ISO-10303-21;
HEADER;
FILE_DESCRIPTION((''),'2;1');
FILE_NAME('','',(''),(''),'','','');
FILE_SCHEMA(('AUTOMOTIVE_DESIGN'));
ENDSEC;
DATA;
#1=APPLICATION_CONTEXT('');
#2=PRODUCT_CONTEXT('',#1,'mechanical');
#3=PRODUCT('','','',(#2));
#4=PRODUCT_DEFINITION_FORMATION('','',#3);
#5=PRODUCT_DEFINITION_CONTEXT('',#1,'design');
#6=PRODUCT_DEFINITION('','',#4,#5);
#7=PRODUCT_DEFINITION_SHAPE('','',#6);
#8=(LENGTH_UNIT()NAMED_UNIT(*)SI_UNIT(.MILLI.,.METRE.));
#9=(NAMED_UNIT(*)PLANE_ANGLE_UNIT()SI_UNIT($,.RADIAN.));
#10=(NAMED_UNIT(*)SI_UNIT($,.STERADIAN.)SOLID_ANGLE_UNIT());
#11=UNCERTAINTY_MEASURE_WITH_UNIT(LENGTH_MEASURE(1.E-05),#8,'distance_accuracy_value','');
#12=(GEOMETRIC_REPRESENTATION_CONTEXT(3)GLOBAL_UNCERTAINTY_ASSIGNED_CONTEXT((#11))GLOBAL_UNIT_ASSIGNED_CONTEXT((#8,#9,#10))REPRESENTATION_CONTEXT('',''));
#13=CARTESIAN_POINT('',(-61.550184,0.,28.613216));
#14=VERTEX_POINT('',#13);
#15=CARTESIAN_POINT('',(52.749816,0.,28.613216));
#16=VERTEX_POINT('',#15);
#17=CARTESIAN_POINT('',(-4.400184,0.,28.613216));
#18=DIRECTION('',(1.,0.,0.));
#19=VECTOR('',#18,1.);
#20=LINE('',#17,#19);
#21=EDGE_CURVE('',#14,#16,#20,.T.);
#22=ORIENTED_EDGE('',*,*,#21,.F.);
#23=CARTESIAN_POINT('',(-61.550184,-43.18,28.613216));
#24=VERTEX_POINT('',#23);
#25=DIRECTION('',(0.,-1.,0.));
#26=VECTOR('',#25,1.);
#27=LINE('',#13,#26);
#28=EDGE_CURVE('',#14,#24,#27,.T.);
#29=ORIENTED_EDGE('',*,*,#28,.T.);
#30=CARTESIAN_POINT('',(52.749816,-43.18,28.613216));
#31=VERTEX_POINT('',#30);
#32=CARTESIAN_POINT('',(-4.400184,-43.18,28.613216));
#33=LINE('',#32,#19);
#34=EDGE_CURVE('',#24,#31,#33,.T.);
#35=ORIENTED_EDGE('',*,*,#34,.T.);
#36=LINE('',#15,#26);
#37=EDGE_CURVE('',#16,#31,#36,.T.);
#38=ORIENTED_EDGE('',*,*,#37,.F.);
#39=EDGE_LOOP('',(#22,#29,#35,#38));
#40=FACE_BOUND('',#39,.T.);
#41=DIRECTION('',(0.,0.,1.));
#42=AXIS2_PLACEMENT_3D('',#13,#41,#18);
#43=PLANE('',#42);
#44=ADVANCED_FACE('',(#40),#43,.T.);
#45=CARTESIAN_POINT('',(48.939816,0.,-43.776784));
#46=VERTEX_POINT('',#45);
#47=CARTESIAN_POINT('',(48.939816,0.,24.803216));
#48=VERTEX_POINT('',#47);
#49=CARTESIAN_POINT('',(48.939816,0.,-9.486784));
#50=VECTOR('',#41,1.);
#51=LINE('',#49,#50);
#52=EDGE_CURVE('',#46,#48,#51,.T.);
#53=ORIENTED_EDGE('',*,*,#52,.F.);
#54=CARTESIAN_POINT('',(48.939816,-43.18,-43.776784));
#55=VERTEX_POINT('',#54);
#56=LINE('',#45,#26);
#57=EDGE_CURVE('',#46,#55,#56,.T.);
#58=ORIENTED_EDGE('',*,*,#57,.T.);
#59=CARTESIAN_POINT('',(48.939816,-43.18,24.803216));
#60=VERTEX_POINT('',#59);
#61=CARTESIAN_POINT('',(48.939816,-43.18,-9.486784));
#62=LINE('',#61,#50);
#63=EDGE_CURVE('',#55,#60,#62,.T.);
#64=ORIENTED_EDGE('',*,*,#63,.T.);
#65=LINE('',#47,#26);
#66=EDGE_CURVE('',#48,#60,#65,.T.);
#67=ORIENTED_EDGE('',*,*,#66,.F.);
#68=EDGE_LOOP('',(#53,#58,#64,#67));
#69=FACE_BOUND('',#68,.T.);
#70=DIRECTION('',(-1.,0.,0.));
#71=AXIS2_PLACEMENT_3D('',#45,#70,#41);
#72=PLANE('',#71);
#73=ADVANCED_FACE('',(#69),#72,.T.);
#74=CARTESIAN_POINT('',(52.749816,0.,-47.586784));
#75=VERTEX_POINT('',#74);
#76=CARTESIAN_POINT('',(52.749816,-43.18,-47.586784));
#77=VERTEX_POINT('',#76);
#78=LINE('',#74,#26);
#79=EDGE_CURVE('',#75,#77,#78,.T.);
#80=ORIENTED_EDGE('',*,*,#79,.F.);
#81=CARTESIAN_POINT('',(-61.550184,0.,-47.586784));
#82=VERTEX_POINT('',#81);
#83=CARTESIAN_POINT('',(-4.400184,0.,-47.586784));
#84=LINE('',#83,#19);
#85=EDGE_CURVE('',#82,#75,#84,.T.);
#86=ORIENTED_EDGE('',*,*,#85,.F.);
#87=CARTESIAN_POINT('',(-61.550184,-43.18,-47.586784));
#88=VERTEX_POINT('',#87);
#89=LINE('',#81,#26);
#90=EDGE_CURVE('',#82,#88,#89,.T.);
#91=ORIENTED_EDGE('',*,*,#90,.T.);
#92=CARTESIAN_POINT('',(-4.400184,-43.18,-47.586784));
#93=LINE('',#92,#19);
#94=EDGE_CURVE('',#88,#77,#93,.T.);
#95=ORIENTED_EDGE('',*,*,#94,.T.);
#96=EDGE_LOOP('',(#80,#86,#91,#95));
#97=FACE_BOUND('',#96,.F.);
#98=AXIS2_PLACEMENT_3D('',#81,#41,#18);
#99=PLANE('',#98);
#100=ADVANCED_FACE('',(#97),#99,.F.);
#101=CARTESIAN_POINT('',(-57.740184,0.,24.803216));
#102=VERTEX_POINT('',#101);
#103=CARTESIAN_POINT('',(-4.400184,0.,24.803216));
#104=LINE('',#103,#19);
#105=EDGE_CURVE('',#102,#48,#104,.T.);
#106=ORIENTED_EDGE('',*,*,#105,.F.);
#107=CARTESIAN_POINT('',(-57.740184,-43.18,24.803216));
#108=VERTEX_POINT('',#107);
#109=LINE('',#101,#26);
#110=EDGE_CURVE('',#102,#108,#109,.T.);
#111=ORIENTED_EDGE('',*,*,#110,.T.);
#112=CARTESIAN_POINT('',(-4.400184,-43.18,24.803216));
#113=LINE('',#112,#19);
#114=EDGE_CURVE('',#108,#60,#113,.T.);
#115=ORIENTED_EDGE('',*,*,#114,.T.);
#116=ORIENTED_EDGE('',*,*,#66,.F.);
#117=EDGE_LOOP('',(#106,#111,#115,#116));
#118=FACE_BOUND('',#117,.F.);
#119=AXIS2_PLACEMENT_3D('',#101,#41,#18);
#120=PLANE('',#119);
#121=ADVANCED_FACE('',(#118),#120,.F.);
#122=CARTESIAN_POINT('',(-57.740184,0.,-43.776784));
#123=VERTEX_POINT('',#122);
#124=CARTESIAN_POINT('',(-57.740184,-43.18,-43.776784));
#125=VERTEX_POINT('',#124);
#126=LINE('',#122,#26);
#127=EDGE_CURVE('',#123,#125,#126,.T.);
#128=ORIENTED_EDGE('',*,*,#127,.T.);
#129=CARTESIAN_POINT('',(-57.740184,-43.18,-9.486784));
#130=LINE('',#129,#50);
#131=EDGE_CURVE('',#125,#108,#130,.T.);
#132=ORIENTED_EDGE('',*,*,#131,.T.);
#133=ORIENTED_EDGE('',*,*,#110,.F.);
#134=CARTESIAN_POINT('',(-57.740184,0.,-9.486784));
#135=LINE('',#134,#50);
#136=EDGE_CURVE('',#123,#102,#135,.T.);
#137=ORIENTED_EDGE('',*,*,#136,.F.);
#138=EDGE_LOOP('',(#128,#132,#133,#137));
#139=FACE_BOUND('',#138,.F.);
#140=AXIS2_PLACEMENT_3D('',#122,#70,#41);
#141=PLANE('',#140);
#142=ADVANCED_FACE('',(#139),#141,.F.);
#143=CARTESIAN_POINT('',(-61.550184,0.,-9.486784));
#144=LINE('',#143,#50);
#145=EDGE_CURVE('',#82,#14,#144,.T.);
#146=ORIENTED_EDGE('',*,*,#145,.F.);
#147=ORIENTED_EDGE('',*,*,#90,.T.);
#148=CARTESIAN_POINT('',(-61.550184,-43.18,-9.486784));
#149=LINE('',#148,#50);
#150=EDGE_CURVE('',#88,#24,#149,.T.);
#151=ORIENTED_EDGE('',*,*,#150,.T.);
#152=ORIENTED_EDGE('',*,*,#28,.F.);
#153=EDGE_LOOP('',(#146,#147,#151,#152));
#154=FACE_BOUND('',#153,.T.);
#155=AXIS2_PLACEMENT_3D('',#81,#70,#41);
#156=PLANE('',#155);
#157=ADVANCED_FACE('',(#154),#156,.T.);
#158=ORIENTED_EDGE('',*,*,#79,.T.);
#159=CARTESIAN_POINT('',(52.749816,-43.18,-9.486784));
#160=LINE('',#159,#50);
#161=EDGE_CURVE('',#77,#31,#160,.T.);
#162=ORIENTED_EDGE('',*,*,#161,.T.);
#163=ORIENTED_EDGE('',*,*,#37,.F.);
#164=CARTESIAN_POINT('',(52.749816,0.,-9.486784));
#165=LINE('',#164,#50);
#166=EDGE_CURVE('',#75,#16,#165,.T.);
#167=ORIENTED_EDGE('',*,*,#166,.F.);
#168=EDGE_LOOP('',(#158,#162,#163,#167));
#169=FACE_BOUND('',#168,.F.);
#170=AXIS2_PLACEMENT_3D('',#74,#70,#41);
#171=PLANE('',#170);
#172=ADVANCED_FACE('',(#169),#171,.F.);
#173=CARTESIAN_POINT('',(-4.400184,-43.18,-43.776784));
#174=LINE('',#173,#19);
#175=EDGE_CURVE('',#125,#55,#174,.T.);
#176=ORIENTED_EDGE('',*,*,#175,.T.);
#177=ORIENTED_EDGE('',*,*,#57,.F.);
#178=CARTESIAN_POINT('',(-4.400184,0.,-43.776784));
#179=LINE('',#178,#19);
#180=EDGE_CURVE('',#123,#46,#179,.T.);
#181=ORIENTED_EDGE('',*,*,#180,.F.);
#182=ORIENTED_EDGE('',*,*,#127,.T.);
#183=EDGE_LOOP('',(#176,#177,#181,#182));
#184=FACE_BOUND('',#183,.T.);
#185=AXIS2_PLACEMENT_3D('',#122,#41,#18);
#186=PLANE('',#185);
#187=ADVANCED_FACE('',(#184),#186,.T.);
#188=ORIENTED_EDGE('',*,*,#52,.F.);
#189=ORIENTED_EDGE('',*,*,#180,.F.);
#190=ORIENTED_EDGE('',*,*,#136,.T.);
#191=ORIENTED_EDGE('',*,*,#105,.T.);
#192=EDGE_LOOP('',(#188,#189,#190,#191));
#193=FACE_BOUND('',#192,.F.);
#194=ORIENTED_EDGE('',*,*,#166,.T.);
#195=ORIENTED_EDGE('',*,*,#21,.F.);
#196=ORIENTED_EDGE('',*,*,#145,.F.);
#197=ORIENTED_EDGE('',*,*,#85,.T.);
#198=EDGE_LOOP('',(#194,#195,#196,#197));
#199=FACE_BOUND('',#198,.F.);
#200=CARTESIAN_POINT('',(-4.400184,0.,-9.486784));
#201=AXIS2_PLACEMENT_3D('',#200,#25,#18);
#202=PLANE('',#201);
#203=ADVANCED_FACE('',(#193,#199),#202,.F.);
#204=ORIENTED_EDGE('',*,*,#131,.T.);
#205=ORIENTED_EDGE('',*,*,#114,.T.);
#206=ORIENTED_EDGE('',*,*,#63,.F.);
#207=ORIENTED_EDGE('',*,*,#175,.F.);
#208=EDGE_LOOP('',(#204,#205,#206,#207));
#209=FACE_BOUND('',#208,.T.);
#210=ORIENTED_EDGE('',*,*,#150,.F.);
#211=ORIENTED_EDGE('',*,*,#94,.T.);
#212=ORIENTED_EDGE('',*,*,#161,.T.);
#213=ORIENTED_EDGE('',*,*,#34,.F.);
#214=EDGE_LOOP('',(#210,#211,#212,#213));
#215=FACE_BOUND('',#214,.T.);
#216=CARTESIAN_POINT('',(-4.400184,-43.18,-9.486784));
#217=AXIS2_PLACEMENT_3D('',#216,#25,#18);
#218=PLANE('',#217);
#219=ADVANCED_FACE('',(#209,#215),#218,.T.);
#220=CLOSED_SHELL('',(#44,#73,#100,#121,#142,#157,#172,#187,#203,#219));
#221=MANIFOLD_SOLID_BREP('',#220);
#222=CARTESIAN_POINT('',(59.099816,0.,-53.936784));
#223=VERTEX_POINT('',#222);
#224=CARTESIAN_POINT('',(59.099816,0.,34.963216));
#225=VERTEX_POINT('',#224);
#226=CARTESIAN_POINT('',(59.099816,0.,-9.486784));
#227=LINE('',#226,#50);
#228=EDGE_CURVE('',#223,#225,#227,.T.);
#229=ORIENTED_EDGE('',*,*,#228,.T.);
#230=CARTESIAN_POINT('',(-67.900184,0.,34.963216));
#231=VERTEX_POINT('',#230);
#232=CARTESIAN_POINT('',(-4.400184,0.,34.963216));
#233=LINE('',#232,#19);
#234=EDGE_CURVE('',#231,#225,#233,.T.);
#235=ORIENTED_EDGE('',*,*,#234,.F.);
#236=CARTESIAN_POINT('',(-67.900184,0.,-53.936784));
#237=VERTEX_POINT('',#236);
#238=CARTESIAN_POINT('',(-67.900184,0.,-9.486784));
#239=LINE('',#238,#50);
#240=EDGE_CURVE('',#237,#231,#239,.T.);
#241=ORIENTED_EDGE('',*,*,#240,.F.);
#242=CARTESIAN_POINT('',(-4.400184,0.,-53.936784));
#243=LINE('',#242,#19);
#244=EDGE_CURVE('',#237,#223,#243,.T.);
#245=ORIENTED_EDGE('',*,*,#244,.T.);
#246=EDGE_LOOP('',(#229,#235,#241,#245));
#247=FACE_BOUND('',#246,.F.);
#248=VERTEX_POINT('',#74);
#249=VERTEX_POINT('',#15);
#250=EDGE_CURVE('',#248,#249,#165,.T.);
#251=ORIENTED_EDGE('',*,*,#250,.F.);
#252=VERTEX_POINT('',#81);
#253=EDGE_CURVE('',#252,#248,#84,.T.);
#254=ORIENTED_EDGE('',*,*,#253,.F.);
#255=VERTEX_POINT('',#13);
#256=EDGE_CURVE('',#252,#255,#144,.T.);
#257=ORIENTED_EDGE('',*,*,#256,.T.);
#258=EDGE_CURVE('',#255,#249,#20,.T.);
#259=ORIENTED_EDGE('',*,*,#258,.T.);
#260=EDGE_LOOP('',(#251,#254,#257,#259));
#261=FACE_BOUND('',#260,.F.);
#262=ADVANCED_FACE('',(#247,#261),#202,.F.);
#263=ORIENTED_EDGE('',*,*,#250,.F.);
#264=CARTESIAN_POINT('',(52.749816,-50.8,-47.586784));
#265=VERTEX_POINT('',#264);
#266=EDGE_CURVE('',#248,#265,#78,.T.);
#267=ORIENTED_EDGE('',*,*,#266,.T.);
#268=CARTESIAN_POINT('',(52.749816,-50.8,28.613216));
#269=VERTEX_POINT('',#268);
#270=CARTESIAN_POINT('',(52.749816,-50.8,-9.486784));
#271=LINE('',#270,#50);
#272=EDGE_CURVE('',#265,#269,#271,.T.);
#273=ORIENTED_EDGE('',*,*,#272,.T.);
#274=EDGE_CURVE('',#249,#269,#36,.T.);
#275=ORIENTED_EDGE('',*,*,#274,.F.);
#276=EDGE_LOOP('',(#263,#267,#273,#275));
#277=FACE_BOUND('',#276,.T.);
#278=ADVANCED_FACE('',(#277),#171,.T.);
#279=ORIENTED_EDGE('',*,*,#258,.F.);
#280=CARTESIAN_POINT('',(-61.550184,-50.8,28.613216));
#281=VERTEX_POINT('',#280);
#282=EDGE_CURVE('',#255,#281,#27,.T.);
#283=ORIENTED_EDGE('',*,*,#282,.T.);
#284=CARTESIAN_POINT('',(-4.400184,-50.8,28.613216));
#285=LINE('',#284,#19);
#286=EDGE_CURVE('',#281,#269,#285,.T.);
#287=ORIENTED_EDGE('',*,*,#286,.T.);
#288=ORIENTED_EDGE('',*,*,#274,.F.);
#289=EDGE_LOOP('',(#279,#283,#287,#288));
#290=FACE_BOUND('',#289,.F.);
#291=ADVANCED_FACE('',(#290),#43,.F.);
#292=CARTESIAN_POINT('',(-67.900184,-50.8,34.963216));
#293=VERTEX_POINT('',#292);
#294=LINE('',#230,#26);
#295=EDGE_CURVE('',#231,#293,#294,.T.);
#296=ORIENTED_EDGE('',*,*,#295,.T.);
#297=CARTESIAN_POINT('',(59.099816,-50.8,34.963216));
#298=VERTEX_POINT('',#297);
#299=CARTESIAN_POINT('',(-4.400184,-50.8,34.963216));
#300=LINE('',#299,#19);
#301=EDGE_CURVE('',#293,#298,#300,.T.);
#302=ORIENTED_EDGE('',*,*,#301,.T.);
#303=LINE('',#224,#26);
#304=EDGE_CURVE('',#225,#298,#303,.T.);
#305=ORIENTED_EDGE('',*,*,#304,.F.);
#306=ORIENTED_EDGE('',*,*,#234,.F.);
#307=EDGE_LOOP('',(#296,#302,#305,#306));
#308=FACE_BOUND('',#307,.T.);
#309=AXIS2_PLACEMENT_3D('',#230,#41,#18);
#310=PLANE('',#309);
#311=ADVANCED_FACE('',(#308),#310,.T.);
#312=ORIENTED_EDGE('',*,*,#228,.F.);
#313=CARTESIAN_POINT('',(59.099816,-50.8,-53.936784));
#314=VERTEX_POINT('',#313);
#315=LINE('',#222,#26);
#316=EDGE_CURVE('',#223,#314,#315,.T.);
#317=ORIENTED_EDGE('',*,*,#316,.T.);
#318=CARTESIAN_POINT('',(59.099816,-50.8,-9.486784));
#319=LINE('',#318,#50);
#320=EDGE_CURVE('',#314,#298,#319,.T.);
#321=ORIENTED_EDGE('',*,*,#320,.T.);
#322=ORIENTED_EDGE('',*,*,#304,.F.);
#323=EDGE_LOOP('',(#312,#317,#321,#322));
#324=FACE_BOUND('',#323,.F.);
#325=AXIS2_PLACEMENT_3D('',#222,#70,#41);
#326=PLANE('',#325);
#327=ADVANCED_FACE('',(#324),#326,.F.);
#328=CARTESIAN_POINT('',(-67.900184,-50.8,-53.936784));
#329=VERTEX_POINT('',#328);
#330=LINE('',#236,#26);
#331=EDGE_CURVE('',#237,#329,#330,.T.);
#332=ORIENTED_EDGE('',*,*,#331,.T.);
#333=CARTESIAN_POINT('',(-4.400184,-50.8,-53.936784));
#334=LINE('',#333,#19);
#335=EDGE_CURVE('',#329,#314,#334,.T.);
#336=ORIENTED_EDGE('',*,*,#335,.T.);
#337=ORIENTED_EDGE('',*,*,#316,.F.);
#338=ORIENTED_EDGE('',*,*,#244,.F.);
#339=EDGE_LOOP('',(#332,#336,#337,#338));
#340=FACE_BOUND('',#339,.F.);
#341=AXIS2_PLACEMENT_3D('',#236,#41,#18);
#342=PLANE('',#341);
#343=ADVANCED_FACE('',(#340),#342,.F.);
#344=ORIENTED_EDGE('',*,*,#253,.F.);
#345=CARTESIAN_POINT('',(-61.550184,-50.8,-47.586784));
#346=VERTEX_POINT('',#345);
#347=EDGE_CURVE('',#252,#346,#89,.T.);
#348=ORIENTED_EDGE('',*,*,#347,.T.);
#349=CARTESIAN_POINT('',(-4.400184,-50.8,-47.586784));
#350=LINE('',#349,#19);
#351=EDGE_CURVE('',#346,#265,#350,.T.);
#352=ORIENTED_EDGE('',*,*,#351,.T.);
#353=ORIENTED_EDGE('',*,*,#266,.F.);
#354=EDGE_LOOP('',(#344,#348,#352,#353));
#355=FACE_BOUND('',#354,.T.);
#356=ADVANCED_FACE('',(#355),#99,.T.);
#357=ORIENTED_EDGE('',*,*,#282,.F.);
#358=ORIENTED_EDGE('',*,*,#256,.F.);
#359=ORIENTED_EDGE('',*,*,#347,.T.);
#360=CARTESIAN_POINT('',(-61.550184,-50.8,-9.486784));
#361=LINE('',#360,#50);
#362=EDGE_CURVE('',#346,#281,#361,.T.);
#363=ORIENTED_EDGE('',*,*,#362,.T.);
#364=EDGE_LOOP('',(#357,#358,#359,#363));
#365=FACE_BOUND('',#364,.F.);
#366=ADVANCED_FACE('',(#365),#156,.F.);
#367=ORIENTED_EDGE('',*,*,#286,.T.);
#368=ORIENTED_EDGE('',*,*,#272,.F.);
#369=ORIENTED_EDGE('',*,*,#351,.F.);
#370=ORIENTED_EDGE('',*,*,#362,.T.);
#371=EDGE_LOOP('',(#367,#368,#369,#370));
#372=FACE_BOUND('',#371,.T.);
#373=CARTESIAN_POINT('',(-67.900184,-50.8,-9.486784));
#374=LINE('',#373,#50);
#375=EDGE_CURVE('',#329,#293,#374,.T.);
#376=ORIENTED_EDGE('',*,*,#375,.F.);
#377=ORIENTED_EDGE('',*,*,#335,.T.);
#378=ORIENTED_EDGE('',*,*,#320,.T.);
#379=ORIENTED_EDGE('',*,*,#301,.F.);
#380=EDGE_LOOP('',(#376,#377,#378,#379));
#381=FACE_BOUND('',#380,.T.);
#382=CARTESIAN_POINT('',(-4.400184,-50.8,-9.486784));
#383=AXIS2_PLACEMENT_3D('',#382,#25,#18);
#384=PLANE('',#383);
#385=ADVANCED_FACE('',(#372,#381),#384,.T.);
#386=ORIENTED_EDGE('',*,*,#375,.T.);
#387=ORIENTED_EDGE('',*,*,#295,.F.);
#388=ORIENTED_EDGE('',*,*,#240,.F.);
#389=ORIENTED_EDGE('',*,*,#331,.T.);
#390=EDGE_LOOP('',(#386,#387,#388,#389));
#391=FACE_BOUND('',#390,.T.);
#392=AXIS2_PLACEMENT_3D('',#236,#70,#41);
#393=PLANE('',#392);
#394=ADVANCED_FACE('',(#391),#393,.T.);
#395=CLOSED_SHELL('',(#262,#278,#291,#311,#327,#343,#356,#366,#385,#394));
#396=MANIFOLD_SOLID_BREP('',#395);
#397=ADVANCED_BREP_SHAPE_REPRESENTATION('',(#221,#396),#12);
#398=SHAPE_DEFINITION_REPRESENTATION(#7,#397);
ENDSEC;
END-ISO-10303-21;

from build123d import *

# Parameters (mm, degrees)
F0_W     = 114.3
F0_H     = 76.2
F0_W_2   = 106.68
F0_H_2   = 68.58
F1_DEPTH = 43.18
F0_W_3   = 127
F0_H_3   = 88.9
F2_DEPTH = 50.8


with BuildPart() as f1:
    # F0 (on Front) → F1 (new body)
    with BuildSketch(Plane.XZ):
        with Locations((-4.400184, -9.486784)):
            Rectangle(F0_W, F0_H)
        with Locations((-4.400184, -9.486784)):
            Rectangle(F0_W_2, F0_H_2, mode=Mode.SUBTRACT)
    extrude(amount=F1_DEPTH)


with BuildPart() as f2:
    # F0 (on Front) → F2 (new body)
    with BuildSketch(Plane.XZ):
        with Locations((-4.400184, -9.486784)):
            Rectangle(F0_W_3, F0_H_3)
        with Locations((-4.400184, -9.486784)):
            Rectangle(F0_W, F0_H, mode=Mode.SUBTRACT)
    extrude(amount=F2_DEPTH)


solid = Compound([f1.part, f2.part])
